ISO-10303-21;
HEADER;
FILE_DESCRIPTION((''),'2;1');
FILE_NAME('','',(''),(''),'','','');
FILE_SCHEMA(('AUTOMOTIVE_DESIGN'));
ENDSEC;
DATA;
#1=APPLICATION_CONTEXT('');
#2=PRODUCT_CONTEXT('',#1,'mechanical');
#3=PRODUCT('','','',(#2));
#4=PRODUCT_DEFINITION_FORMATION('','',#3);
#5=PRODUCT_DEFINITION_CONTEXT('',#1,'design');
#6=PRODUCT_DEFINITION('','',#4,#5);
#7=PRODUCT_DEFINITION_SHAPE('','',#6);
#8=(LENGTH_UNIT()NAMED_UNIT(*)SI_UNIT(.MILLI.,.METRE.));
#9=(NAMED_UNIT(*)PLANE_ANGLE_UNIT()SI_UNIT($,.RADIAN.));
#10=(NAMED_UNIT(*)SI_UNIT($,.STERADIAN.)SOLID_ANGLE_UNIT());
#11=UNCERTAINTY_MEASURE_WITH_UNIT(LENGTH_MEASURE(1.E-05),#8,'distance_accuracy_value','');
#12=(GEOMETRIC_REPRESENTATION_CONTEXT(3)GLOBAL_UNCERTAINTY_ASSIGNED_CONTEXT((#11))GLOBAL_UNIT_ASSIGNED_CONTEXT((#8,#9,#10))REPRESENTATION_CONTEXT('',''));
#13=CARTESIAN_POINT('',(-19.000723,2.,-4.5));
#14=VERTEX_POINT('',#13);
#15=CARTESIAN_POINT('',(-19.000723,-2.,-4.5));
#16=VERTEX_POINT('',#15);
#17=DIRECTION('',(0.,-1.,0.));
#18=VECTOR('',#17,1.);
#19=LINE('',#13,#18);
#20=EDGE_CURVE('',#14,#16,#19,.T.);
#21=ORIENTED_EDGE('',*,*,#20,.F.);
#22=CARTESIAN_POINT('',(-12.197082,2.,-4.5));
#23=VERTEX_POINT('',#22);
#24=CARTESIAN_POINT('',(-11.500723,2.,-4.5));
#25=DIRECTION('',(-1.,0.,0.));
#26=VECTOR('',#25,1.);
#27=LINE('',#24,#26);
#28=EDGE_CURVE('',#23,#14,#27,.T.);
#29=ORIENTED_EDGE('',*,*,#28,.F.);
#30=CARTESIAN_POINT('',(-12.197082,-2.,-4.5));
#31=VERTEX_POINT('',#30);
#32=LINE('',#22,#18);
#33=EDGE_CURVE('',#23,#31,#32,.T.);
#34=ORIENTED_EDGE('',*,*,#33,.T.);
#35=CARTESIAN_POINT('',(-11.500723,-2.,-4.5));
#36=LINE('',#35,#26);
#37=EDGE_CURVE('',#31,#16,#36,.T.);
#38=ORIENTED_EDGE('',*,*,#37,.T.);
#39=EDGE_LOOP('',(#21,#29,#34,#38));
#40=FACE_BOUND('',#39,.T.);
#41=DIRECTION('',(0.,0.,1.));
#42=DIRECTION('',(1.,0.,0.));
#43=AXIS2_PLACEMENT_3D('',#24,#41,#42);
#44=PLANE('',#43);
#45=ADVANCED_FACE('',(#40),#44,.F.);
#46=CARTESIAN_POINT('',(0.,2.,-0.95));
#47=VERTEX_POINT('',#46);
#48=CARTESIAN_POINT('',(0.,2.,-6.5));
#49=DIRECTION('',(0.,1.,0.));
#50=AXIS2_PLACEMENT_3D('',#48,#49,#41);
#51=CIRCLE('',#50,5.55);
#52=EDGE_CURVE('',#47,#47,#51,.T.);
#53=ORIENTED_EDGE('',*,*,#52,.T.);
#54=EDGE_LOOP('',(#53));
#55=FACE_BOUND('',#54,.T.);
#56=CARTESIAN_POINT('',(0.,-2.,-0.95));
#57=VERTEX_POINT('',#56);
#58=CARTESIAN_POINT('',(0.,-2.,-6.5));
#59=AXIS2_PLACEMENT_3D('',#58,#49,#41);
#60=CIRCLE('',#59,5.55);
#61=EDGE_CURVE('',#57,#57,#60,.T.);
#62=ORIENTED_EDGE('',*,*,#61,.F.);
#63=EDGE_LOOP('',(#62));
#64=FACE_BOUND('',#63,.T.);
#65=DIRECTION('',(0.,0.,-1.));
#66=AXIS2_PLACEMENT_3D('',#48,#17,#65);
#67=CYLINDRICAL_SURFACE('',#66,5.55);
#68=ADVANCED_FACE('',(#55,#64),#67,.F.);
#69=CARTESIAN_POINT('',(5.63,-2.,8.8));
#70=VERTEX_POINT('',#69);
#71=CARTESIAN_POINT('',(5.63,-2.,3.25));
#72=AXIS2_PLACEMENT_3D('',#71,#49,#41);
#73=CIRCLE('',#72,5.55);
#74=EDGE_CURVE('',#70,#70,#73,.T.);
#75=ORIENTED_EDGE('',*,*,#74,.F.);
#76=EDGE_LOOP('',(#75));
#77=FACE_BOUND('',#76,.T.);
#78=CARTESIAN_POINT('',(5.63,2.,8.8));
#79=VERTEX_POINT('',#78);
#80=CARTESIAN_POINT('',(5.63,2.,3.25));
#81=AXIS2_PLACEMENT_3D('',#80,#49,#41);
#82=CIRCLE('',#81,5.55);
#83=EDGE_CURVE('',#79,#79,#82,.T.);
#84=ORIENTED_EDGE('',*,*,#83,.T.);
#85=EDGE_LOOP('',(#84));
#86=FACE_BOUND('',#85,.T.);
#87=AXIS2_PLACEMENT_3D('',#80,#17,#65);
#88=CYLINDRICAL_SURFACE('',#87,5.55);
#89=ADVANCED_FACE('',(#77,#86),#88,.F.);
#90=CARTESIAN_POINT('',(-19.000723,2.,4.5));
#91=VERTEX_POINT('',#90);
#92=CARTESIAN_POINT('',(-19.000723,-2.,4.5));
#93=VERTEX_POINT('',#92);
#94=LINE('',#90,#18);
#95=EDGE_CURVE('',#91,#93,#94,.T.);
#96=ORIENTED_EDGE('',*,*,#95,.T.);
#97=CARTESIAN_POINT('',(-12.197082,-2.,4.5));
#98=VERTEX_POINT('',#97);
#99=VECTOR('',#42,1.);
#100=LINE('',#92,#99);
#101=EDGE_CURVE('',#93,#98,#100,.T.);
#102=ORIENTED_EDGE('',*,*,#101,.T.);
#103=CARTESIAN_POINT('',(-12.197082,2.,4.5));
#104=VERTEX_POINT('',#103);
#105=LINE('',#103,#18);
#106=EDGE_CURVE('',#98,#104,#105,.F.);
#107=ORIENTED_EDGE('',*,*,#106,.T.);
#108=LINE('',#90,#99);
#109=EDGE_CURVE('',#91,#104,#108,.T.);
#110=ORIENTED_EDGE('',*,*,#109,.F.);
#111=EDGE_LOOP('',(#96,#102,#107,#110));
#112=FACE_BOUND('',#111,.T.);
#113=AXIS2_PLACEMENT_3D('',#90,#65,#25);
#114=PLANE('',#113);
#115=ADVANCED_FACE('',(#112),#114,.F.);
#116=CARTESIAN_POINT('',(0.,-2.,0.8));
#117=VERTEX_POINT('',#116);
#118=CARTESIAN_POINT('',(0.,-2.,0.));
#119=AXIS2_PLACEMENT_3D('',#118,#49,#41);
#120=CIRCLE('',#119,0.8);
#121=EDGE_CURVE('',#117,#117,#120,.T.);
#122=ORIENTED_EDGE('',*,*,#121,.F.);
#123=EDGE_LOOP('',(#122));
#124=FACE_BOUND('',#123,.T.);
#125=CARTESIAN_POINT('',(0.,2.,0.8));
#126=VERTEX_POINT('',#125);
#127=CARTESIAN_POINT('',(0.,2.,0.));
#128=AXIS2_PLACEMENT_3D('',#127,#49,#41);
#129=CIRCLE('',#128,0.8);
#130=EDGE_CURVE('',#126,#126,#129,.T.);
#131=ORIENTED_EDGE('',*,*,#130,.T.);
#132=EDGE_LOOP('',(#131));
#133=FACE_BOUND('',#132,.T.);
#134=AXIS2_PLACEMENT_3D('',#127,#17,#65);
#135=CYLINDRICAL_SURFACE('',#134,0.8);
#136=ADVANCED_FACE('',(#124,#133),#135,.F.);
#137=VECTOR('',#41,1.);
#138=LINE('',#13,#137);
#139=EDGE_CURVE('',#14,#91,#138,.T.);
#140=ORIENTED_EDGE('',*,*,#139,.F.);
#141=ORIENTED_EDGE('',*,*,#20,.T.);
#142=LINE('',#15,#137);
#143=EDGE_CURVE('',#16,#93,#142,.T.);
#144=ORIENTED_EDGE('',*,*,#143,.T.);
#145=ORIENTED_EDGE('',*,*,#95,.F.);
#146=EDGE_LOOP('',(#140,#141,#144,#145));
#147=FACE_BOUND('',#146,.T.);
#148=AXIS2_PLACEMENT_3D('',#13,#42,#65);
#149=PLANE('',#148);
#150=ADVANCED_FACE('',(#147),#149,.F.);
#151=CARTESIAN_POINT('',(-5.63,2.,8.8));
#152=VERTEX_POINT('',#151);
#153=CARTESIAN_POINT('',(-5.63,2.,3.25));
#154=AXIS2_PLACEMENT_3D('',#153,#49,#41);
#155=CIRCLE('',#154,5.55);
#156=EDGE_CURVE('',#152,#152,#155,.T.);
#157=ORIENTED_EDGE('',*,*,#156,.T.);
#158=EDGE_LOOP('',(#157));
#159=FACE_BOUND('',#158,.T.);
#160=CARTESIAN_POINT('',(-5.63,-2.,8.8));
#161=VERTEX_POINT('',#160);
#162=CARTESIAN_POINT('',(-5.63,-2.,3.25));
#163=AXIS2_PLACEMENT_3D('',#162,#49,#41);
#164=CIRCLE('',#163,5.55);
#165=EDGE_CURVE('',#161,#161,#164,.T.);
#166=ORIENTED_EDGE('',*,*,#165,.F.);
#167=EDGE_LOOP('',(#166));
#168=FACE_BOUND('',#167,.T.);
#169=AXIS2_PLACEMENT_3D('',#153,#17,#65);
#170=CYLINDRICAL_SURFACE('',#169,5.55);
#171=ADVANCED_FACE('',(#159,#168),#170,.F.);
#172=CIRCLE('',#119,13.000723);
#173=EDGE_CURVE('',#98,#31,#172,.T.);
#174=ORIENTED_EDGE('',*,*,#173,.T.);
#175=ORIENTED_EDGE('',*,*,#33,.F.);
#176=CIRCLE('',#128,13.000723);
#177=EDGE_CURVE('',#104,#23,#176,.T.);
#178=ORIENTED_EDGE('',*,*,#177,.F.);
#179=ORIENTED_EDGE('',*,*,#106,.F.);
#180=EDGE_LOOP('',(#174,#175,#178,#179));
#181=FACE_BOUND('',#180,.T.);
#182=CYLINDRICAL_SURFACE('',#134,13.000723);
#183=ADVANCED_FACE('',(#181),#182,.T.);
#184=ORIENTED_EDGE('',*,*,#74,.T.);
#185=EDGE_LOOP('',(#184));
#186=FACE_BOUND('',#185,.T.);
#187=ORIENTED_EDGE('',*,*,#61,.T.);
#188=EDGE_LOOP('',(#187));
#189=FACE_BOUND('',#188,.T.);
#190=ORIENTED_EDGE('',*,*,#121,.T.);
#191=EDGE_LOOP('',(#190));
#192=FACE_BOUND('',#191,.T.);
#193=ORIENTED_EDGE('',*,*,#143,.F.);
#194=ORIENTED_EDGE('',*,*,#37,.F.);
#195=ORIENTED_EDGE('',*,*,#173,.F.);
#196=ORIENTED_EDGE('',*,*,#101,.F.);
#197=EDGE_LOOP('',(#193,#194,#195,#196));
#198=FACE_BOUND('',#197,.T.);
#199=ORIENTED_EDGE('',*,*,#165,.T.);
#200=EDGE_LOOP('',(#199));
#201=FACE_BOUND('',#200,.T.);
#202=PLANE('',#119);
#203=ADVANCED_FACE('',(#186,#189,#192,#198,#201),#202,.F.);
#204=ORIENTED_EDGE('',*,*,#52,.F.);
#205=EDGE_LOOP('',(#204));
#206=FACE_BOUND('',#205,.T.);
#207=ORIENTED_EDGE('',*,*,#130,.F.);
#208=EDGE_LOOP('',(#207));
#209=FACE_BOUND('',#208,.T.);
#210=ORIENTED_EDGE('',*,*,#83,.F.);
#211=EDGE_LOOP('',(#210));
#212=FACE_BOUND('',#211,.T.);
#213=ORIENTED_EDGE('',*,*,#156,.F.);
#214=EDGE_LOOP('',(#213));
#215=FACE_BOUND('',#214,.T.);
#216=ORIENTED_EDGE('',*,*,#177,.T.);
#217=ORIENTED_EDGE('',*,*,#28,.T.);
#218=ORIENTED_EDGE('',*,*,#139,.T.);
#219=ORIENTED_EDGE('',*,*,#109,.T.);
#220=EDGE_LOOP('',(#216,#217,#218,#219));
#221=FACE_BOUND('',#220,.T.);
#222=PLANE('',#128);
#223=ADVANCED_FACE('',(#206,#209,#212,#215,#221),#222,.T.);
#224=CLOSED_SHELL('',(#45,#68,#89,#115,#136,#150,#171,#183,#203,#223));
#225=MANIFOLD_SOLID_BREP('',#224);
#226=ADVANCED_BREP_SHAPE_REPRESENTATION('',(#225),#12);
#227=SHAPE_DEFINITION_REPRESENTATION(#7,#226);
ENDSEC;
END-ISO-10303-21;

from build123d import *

# Parameters (mm, degrees)
SKETCH1_R           = 13.000723037
SKETCH1_R_2         = 5.55
SKETCH1_R_3         = 0.8
PLACA_CABEZAL_DEPTH = 4
SKETCH2_W           = 7.5
SKETCH2_H           = 9
PATA_AL_HUESO_DEPTH = 4


with BuildPart() as part:
    # Sketch1 → Placa_cabezal (new body)
    with BuildSketch(Plane(origin=(0, -2, 0), x_dir=(1, 0, 0), z_dir=(0, 1, 0))):
        with Locations(Location((0, 0, 0), (0, 0, 270))):
            Circle(SKETCH1_R)
        with Locations(Location((0, 6.5, 0), (0, 0, 270))):
            Circle(SKETCH1_R_2, mode=Mode.SUBTRACT)
        with Locations(Location((-5.63, -3.25, 0), (0, 0, 270))):
            Circle(SKETCH1_R_2, mode=Mode.SUBTRACT)
        with Locations(Location((5.63, -3.25, 0), (0, 0, 270))):
            Circle(SKETCH1_R_2, mode=Mode.SUBTRACT)
        with Locations(Location((0, 0, 0), (0, 0, 270))):
            Circle(SKETCH1_R_3, mode=Mode.SUBTRACT)
    extrude(amount=PLACA_CABEZAL_DEPTH)

    # Sketch2 → Pata_al_hueso (add)
    with BuildSketch(Plane(origin=(0, -2, 0), x_dir=(1, 0, 0), z_dir=(0, 1, 0))):
        with Locations((-15.250723037, 0)):
            Rectangle(SKETCH2_W, SKETCH2_H)
    extrude(amount=PATA_AL_HUESO_DEPTH)


solid = part.part
